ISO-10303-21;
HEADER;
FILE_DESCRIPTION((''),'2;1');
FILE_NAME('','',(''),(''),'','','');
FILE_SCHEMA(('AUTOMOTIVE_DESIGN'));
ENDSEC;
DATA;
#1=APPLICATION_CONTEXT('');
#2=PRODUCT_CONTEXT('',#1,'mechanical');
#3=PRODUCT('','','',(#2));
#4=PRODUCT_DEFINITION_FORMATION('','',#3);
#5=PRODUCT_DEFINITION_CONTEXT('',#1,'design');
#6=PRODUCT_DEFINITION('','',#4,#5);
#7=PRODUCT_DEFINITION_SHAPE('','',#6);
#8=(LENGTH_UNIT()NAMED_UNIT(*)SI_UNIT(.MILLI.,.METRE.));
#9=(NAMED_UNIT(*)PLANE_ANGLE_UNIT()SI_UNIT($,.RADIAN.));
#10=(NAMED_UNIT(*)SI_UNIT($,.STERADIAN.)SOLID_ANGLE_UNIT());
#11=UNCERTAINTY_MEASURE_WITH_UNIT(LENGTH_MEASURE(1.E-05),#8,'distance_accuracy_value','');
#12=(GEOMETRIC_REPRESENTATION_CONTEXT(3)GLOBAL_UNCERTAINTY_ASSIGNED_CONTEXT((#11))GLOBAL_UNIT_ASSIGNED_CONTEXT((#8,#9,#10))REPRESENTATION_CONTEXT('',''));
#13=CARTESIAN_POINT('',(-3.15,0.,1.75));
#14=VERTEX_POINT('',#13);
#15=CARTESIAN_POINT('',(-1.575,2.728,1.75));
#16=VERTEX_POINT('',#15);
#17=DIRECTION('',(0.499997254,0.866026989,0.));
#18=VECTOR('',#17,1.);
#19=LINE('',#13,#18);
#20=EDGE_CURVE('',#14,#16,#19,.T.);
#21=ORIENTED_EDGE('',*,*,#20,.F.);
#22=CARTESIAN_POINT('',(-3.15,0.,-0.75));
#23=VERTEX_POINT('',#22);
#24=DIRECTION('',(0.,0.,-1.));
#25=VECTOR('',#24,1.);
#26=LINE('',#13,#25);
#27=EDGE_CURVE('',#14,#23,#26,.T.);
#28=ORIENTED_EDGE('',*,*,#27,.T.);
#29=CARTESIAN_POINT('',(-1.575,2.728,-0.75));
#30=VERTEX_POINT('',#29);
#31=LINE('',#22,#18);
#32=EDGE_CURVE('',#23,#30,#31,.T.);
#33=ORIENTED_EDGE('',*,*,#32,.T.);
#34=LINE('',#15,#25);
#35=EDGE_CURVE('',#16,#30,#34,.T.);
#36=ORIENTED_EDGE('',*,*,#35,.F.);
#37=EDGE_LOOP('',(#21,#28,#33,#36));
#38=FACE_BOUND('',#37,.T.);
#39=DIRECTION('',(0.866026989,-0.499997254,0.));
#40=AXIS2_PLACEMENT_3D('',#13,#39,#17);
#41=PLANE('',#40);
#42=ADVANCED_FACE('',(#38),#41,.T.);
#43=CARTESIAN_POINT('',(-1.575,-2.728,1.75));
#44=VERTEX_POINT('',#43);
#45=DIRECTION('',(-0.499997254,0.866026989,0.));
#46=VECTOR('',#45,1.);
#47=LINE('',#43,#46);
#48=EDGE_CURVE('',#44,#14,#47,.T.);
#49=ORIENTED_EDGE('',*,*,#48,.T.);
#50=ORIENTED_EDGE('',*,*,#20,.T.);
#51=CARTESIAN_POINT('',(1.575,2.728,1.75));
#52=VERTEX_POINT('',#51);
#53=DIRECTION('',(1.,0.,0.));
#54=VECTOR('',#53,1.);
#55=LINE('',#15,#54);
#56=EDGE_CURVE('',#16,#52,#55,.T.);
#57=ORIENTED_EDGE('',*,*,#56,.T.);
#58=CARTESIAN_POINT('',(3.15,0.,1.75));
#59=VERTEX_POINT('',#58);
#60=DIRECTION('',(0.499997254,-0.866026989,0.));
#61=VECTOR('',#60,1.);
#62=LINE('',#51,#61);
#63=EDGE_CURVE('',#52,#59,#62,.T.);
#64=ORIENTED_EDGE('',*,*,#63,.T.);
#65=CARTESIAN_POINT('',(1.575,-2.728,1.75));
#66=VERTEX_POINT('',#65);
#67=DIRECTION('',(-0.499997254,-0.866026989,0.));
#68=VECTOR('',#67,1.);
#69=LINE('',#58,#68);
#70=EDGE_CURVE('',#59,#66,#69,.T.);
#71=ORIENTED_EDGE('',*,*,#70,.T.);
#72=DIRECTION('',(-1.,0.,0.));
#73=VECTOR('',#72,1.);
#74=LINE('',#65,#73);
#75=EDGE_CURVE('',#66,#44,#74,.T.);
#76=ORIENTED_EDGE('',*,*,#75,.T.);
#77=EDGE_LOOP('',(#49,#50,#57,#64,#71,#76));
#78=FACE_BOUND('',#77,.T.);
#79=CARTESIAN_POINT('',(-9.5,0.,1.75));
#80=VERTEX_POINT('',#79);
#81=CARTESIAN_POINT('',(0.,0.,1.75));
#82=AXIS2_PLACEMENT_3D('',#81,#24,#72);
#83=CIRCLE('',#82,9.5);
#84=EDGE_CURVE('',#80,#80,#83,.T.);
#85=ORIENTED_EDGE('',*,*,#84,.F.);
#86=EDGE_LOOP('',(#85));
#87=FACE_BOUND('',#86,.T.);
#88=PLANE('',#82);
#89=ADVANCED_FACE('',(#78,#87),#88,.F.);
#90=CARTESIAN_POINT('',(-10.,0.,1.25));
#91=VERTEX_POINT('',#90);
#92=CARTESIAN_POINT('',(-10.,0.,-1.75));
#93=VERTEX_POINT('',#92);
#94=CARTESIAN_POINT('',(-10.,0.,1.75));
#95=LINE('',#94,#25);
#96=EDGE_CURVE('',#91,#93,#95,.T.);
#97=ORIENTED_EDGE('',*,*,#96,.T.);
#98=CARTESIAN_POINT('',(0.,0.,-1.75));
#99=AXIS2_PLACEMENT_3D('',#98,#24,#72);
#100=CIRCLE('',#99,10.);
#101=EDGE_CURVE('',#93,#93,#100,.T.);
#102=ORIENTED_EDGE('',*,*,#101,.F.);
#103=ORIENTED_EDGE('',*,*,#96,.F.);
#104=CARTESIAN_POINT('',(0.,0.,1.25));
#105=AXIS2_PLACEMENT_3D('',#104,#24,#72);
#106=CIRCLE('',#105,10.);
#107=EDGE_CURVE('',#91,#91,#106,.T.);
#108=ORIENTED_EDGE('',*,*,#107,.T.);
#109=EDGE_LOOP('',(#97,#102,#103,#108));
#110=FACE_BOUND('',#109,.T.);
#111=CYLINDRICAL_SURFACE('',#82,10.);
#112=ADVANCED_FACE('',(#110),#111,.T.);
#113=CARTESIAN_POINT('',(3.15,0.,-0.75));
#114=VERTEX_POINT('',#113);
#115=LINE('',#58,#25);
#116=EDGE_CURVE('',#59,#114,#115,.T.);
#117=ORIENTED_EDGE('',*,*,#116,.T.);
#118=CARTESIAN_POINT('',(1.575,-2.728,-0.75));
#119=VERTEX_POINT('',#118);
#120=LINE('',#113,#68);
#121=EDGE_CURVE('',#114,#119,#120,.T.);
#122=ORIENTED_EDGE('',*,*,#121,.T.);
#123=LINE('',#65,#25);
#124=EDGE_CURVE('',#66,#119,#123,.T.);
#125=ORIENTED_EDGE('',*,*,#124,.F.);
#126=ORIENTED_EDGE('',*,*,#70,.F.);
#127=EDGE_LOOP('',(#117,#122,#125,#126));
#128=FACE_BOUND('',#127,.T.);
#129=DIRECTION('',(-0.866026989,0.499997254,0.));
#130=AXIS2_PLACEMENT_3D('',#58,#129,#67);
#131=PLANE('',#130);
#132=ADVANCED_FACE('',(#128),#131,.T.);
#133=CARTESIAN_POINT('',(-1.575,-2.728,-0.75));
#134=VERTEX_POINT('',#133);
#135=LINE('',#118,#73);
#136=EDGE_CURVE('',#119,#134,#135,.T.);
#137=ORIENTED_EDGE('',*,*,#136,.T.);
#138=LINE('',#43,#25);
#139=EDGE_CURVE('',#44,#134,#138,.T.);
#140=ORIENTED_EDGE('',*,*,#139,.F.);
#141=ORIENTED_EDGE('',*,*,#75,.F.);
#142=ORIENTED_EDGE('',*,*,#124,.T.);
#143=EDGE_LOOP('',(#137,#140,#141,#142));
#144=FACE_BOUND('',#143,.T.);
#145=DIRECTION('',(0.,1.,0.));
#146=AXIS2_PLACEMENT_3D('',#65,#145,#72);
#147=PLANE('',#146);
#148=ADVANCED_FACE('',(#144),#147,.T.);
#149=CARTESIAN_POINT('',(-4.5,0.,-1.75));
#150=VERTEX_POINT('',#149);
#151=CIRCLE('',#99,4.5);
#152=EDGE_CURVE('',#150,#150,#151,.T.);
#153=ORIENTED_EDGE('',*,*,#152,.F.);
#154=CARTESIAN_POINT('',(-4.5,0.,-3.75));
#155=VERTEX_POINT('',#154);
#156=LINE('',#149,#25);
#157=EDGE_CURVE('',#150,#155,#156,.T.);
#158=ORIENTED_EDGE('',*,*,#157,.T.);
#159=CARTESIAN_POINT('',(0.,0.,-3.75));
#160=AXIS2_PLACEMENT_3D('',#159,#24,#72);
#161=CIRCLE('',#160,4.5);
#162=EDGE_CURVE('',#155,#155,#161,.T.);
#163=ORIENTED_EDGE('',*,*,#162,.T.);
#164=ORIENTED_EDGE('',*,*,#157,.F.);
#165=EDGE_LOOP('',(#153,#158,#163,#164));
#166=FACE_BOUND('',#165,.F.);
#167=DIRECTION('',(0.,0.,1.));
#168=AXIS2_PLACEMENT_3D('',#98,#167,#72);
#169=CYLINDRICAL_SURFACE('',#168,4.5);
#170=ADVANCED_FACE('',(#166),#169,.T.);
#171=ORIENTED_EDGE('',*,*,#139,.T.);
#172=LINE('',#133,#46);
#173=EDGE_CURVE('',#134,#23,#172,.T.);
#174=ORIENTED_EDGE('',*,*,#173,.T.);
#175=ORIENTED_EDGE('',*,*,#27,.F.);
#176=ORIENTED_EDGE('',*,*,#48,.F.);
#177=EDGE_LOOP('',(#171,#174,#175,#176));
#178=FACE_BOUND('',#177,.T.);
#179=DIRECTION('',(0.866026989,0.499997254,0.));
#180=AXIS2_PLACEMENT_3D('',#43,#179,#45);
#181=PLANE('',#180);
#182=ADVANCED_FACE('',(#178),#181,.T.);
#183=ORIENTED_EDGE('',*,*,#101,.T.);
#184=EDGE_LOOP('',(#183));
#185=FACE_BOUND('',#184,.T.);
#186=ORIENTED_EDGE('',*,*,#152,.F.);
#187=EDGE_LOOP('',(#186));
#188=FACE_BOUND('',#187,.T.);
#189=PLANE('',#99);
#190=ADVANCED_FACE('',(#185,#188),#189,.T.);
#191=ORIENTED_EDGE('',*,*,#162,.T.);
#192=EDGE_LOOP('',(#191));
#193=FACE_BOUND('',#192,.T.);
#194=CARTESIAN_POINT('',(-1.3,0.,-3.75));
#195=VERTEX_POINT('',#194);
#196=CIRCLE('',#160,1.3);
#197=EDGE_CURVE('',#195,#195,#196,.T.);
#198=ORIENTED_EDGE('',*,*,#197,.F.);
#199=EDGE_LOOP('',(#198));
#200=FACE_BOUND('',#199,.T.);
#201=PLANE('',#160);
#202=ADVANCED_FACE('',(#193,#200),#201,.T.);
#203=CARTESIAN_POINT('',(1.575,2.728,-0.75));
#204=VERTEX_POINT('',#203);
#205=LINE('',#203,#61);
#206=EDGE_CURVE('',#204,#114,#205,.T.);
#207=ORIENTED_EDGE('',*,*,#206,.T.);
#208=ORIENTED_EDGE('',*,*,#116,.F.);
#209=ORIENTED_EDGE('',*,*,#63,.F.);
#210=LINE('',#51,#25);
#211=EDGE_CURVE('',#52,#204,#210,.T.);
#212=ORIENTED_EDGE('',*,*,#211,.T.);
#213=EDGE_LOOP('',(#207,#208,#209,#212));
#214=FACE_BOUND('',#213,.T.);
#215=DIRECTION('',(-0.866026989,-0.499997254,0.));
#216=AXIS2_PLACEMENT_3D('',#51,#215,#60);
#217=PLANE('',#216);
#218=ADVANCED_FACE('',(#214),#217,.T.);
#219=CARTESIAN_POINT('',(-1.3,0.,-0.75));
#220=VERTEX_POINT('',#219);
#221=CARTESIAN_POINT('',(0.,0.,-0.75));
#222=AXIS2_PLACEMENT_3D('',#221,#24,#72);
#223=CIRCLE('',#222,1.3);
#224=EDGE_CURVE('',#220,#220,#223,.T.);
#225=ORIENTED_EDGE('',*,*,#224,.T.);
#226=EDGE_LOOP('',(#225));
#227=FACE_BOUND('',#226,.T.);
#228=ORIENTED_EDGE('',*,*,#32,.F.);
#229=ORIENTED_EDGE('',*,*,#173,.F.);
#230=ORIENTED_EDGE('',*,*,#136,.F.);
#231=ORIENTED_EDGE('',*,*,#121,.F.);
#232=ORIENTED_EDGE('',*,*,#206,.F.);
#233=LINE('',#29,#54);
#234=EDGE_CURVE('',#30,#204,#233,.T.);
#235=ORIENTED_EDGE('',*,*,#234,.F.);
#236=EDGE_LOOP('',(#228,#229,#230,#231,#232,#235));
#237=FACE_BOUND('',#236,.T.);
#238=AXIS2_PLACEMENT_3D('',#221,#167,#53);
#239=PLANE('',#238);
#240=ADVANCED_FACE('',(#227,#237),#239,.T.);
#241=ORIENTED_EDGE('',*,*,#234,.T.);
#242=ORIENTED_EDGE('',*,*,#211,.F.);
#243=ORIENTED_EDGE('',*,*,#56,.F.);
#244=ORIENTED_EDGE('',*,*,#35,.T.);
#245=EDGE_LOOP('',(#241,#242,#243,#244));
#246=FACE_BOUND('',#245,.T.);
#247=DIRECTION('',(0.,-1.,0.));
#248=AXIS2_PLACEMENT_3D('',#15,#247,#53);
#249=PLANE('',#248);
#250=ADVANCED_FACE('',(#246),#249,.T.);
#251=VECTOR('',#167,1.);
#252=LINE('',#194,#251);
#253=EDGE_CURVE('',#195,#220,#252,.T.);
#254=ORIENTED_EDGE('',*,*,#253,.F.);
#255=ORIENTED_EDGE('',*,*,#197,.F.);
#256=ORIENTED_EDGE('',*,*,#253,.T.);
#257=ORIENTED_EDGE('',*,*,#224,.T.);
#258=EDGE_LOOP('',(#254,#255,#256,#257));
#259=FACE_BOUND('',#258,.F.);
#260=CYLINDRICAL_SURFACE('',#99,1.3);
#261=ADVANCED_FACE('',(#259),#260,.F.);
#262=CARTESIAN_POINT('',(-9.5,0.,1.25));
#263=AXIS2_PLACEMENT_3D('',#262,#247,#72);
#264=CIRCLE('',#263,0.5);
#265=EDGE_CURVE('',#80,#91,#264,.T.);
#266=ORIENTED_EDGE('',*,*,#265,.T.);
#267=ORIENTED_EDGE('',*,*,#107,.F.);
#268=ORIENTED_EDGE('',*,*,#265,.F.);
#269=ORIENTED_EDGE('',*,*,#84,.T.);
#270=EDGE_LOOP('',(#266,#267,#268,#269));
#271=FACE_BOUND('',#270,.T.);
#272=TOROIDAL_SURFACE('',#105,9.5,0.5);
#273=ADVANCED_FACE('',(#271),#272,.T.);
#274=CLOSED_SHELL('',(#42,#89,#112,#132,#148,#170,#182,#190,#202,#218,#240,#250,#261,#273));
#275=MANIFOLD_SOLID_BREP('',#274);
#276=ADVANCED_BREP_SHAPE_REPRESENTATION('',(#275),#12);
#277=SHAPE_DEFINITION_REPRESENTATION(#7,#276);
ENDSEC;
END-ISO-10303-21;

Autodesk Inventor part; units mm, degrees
ref_plane "YZ Plane" through (0, 0, 0) normal (1, 0, 0) x (0, 1, 0)
ref_plane "XZ Plane" through (0, 0, 0) normal (0, 1, 0) x (-1, 0, 0)
sketch "Эскиз1" plane through (0, 0, 0) normal (0, 1, 0) x (-1, 0, 0)
  line L0 (-10, 1.75) -> (10, 1.75)
  line L1 (10, 1.75) -> (10, -1.75)
  line L2 (10, -1.75) -> (-10, -1.75)
  line L3 (-10, -1.75) -> (-10, 1.75)
  line L4 (-10, 1.75) -> (10, -1.75) construction
  line L5 (10, 1.75) -> (-10, -1.75) construction
  line L6 (2.5, -1.75) -> (-2.5, -1.75)
  line L7 (-2.5, -1.75) -> (-2.5, -3.95)
  line L8 (-2.5, -3.95) -> (2.5, -3.95)
  line L9 (2.5, -3.95) -> (2.5, -1.75)
  line L10 (0, 1.75) -> (0, -1.75)
  point P0 (0, 0)
  dimension "d0" = 20
  dimension "d1" = 3.5
  dimension "d2" = 5
  dimension "d3" = 2.2
revolve "Вращение1" add sketch "Эскиз1" angle 360 about axis through (0, 0, 1.75) along (0, 0, -1) contours L0 L1 L2 L10
ref_plane "РабПлоскость2" through (-7.5, 5, 1.5) normal (0, 0, 1) x (1, 0, 0)
sketch "Эскиз4" plane through (0, 0, -1.75) normal (0, 0, -1) x (-1, 0, 0)
  circle A0 centre (0, 0) radius 1.3
  circle A1 centre (0, 0) radius 4.5
  point P0 (0, 0)
  dimension "d20" = 2.6
  dimension "d21" = 9
extrude "Выдавливание5" add sketch "Эскиз4" along normal blind 2
extrude "Выдавливание6" cut sketch "Эскиз4" against normal mid plane 12 contours A0
fillet "Сопряжение1" radius 0.5 1 edges at (10, 0, 1.75)
sketch "Эскиз5" plane through (0, 0, 1.75) normal (0, 0, 1) x (1, 0, 0)
  circle A0 centre (0, 0) radius 3.15 construction
  line L0 (0, 0) -> (1.575, 2.728) construction
  line L1 (0, 0) -> (-1.575, 2.728) construction
  line L2 (0, 0) -> (-3.15, 0) construction
  line L3 (0, 0) -> (-1.575, -2.728) construction
  line L4 (0, 0) -> (1.575, -2.728) construction
  line L5 (0, 0) -> (3.15, 0) construction
  line L6 (1.575, 2.728) -> (3.15, 0)
  line L7 (-1.575, 2.728) -> (1.575, 2.728)
  line L8 (-3.15, 0) -> (-1.575, 2.728)
  line L9 (-1.575, -2.728) -> (-3.15, 0)
  line L10 (1.575, -2.728) -> (-1.575, -2.728)
  line L11 (3.15, 0) -> (1.575, -2.728)
  point P0 (0, 0)
  point P1 (-1.575, -2.728)
  point P2 (3.15, 0)
  point P3 (1.575, 2.728)
  dimension "d29" = 6.3
  dimension "d32" = 360
  dimension "d36" = 360
extrude "Выдавливание7" cut sketch "Эскиз5" against normal blind 2.5
properties part number "kikcer_head_001"
